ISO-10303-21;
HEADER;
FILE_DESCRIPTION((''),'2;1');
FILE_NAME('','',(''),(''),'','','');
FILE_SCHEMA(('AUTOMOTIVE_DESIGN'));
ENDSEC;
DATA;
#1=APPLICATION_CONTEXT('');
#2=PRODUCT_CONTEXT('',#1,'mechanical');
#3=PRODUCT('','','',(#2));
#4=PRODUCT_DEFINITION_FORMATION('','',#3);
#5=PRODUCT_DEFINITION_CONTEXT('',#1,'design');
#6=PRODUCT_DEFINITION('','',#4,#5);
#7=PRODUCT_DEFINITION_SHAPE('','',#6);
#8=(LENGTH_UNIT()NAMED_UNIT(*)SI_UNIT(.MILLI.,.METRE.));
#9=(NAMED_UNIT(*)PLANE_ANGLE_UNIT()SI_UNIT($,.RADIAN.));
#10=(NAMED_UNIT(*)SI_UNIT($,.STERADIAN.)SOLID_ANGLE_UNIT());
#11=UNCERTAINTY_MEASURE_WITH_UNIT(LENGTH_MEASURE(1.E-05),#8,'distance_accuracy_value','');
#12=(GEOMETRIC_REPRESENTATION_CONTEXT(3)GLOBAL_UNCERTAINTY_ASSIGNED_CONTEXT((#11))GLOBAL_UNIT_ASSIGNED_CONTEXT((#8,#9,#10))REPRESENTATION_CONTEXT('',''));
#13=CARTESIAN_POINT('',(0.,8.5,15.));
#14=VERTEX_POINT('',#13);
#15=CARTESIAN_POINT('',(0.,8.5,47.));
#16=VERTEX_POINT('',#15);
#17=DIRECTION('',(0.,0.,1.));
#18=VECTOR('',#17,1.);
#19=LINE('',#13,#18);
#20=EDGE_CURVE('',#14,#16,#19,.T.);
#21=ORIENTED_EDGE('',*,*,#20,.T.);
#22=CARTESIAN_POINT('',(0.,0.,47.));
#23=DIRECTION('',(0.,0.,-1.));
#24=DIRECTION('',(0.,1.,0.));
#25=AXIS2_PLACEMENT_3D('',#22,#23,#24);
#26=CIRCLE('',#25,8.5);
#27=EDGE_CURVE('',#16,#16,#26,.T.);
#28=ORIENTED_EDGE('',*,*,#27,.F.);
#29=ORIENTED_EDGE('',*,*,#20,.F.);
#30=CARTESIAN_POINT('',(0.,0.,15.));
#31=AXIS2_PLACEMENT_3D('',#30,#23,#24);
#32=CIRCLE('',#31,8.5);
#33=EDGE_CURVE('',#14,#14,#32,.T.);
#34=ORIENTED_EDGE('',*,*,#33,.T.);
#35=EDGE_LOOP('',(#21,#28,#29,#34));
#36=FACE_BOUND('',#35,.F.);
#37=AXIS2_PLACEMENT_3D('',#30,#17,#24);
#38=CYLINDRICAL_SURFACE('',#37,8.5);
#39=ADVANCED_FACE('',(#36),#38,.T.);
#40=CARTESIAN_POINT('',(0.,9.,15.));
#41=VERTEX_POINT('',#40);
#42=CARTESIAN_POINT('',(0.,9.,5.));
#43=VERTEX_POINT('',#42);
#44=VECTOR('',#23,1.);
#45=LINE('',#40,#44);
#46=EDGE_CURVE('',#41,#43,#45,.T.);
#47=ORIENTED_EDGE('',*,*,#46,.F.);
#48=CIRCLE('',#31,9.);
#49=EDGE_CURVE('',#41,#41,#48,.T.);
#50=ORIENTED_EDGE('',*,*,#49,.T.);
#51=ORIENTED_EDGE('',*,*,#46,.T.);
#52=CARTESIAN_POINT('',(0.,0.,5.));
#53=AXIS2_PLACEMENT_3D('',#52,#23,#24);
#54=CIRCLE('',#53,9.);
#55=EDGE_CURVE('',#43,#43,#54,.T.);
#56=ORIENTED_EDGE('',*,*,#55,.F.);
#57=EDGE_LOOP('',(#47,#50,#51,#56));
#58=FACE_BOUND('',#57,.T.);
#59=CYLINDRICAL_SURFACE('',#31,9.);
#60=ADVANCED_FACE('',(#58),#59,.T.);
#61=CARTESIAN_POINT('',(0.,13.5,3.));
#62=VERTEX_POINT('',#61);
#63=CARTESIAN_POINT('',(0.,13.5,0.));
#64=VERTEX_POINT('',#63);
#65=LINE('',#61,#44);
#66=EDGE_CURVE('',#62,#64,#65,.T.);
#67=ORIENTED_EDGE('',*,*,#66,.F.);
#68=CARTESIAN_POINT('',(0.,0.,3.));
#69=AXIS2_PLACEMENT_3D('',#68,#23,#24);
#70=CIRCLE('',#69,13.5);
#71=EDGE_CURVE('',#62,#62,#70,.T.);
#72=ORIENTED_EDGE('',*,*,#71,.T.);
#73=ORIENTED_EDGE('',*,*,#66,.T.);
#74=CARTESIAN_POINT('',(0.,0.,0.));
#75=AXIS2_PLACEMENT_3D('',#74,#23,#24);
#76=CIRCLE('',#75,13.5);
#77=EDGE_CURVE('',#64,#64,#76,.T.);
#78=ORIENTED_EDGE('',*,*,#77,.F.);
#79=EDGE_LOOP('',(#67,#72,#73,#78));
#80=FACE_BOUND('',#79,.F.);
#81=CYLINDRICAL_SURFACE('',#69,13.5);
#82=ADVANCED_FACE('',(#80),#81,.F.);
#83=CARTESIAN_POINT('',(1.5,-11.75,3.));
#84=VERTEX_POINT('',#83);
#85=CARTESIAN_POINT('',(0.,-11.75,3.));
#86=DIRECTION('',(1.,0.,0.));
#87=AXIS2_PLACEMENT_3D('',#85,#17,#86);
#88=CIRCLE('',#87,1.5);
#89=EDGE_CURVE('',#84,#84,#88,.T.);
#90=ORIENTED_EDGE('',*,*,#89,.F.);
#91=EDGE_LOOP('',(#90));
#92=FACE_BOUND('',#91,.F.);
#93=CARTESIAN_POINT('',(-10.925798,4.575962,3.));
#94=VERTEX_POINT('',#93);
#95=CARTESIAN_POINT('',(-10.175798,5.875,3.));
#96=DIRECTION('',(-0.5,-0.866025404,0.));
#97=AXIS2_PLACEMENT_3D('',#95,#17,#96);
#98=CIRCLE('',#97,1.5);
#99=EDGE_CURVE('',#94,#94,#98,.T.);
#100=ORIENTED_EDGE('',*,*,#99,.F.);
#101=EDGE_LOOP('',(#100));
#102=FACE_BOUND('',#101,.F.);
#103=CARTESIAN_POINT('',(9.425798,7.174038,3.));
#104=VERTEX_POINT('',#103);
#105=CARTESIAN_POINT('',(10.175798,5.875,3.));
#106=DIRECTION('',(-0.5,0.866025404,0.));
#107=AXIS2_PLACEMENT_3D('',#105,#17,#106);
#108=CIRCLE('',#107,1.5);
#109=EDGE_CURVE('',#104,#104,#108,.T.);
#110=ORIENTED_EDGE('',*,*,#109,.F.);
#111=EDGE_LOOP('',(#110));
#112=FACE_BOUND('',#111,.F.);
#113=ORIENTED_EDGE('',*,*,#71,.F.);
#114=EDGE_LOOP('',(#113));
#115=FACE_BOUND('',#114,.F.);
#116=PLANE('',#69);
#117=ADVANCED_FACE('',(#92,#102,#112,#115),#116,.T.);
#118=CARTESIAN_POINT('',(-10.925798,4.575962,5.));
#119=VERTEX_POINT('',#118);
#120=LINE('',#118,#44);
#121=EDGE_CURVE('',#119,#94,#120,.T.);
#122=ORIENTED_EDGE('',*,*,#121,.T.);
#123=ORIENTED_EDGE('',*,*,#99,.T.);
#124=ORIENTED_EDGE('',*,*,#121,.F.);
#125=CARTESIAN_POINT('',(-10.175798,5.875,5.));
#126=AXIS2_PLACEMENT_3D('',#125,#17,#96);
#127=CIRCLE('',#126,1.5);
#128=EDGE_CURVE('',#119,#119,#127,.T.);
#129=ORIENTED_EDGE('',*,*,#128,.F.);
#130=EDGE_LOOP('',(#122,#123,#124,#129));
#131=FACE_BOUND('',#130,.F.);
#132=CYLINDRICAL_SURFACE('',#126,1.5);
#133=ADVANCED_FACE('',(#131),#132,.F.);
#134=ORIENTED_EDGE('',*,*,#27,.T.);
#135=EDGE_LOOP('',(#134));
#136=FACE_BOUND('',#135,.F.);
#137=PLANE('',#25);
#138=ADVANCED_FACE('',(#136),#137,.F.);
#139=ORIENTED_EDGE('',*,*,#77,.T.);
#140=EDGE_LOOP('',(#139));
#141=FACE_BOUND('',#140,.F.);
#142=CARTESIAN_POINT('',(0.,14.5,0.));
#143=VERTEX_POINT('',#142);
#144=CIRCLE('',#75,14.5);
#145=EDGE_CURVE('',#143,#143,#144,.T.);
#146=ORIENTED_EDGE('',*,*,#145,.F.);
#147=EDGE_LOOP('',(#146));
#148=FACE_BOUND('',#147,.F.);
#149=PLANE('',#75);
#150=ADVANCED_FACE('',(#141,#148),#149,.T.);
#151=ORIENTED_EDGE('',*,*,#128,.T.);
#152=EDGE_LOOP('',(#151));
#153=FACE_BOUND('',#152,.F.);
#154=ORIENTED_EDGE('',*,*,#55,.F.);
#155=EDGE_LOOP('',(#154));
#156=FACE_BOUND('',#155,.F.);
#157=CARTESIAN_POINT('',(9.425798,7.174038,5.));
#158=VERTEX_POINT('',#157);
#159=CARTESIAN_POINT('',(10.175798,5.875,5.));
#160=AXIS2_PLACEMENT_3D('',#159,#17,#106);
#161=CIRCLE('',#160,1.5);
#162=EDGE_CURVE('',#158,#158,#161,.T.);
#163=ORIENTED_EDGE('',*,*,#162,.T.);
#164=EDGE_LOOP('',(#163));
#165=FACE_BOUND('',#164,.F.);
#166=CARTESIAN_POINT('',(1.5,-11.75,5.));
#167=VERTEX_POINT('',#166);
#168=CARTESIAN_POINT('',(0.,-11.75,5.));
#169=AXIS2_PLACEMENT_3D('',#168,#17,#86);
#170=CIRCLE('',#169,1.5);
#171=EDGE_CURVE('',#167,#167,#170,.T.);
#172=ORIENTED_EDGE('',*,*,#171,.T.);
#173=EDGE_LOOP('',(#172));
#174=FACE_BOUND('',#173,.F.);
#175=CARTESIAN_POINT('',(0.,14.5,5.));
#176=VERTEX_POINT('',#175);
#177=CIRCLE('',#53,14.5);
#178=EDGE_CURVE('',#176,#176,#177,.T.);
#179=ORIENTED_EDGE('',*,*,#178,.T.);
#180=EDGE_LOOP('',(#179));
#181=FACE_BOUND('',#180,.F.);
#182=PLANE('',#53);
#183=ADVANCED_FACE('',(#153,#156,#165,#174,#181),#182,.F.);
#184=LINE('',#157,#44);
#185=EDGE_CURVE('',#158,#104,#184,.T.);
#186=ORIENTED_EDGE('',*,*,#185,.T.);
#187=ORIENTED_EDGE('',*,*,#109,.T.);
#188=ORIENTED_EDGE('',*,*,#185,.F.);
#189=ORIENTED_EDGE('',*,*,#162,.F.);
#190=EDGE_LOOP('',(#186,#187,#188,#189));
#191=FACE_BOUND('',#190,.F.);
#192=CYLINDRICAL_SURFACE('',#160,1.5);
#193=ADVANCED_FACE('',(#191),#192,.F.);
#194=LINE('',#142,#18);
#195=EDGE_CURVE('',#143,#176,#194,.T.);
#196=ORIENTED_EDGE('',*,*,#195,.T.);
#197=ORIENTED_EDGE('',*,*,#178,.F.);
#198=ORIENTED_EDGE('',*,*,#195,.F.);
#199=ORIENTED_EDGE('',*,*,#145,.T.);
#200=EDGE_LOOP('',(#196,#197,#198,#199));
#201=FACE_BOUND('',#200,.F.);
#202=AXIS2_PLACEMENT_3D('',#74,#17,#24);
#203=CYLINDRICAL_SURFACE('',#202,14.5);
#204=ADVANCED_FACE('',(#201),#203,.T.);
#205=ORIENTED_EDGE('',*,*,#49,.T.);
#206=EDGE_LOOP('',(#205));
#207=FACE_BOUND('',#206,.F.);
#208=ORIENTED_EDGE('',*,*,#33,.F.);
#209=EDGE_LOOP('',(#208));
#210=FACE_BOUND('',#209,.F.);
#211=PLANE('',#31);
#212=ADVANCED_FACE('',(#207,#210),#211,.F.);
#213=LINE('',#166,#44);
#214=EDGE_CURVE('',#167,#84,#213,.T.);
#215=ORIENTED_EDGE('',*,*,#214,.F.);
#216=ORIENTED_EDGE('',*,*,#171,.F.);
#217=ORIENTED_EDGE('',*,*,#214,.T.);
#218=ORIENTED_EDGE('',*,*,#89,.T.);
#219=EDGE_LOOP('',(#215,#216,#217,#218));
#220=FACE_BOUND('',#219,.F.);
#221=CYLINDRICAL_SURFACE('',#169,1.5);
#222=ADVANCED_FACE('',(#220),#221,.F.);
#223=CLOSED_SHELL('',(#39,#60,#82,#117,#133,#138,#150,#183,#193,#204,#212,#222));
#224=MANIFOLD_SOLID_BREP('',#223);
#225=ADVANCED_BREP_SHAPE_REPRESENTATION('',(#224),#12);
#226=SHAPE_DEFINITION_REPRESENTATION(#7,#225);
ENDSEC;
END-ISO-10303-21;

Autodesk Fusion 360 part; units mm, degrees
sketch "Esquisse1" plane through (0, 0, 0) normal (1, 0, 0) x (0, 1, 0)
  line L0 (13.5, 3) -> (13.5, 0)
  line L1 (13.5, 0) -> (14.5, 0)
  line L2 (14.5, 0) -> (14.5, 5)
  line L3 (14.5, 5) -> (9, 5)
  line L4 (9, 15) -> (8.5, 15)
  line L5 (8.5, 15) -> (8.5, 47)
  line L6 (8.5, 47) -> (0, 47)
  line L7 (0, 47) -> (0, 3)
  line L8 (0, 3) -> (13.5, 3)
  line L9 (9, 15) -> (9, 5)
  dimension "d33" = 3
  dimension "d34" = 13.5
  dimension "d35" = 1
  dimension "d36" = 5
  dimension "d40" = 32
  dimension "d41" = 8.5
  dimension "d43" = 9
  dimension "d44" = 10
revolve "Révolution1" add sketch "Esquisse1" angle 360 about axis through (0, 0, 47) along (0, 0, -1)
sketch "Esquisse1 (2)" plane through (0, 0, 5) normal (0, 0, 1) x (-1, 0, 0)
sketch "Esquisse2" plane through (0, 0, 5) normal (0, 0, 1) x (1, 0, 0)
  circle A0 centre (0, 0) radius 11.75 construction
  circle A1 centre (0, -11.75) radius 1.5
  dimension "d57" = 23.5
  dimension "d58" = 3
extrude "Extrusion1" cut sketch "Esquisse2" against normal blind 4
pattern_circular "Réseau C1" count 3 over 360 about axis through (0, 0, 47) along (0, 0, -1) of "Extrusion1"
equation "d41 = ( 17 / 2 ) * 1 mm"
